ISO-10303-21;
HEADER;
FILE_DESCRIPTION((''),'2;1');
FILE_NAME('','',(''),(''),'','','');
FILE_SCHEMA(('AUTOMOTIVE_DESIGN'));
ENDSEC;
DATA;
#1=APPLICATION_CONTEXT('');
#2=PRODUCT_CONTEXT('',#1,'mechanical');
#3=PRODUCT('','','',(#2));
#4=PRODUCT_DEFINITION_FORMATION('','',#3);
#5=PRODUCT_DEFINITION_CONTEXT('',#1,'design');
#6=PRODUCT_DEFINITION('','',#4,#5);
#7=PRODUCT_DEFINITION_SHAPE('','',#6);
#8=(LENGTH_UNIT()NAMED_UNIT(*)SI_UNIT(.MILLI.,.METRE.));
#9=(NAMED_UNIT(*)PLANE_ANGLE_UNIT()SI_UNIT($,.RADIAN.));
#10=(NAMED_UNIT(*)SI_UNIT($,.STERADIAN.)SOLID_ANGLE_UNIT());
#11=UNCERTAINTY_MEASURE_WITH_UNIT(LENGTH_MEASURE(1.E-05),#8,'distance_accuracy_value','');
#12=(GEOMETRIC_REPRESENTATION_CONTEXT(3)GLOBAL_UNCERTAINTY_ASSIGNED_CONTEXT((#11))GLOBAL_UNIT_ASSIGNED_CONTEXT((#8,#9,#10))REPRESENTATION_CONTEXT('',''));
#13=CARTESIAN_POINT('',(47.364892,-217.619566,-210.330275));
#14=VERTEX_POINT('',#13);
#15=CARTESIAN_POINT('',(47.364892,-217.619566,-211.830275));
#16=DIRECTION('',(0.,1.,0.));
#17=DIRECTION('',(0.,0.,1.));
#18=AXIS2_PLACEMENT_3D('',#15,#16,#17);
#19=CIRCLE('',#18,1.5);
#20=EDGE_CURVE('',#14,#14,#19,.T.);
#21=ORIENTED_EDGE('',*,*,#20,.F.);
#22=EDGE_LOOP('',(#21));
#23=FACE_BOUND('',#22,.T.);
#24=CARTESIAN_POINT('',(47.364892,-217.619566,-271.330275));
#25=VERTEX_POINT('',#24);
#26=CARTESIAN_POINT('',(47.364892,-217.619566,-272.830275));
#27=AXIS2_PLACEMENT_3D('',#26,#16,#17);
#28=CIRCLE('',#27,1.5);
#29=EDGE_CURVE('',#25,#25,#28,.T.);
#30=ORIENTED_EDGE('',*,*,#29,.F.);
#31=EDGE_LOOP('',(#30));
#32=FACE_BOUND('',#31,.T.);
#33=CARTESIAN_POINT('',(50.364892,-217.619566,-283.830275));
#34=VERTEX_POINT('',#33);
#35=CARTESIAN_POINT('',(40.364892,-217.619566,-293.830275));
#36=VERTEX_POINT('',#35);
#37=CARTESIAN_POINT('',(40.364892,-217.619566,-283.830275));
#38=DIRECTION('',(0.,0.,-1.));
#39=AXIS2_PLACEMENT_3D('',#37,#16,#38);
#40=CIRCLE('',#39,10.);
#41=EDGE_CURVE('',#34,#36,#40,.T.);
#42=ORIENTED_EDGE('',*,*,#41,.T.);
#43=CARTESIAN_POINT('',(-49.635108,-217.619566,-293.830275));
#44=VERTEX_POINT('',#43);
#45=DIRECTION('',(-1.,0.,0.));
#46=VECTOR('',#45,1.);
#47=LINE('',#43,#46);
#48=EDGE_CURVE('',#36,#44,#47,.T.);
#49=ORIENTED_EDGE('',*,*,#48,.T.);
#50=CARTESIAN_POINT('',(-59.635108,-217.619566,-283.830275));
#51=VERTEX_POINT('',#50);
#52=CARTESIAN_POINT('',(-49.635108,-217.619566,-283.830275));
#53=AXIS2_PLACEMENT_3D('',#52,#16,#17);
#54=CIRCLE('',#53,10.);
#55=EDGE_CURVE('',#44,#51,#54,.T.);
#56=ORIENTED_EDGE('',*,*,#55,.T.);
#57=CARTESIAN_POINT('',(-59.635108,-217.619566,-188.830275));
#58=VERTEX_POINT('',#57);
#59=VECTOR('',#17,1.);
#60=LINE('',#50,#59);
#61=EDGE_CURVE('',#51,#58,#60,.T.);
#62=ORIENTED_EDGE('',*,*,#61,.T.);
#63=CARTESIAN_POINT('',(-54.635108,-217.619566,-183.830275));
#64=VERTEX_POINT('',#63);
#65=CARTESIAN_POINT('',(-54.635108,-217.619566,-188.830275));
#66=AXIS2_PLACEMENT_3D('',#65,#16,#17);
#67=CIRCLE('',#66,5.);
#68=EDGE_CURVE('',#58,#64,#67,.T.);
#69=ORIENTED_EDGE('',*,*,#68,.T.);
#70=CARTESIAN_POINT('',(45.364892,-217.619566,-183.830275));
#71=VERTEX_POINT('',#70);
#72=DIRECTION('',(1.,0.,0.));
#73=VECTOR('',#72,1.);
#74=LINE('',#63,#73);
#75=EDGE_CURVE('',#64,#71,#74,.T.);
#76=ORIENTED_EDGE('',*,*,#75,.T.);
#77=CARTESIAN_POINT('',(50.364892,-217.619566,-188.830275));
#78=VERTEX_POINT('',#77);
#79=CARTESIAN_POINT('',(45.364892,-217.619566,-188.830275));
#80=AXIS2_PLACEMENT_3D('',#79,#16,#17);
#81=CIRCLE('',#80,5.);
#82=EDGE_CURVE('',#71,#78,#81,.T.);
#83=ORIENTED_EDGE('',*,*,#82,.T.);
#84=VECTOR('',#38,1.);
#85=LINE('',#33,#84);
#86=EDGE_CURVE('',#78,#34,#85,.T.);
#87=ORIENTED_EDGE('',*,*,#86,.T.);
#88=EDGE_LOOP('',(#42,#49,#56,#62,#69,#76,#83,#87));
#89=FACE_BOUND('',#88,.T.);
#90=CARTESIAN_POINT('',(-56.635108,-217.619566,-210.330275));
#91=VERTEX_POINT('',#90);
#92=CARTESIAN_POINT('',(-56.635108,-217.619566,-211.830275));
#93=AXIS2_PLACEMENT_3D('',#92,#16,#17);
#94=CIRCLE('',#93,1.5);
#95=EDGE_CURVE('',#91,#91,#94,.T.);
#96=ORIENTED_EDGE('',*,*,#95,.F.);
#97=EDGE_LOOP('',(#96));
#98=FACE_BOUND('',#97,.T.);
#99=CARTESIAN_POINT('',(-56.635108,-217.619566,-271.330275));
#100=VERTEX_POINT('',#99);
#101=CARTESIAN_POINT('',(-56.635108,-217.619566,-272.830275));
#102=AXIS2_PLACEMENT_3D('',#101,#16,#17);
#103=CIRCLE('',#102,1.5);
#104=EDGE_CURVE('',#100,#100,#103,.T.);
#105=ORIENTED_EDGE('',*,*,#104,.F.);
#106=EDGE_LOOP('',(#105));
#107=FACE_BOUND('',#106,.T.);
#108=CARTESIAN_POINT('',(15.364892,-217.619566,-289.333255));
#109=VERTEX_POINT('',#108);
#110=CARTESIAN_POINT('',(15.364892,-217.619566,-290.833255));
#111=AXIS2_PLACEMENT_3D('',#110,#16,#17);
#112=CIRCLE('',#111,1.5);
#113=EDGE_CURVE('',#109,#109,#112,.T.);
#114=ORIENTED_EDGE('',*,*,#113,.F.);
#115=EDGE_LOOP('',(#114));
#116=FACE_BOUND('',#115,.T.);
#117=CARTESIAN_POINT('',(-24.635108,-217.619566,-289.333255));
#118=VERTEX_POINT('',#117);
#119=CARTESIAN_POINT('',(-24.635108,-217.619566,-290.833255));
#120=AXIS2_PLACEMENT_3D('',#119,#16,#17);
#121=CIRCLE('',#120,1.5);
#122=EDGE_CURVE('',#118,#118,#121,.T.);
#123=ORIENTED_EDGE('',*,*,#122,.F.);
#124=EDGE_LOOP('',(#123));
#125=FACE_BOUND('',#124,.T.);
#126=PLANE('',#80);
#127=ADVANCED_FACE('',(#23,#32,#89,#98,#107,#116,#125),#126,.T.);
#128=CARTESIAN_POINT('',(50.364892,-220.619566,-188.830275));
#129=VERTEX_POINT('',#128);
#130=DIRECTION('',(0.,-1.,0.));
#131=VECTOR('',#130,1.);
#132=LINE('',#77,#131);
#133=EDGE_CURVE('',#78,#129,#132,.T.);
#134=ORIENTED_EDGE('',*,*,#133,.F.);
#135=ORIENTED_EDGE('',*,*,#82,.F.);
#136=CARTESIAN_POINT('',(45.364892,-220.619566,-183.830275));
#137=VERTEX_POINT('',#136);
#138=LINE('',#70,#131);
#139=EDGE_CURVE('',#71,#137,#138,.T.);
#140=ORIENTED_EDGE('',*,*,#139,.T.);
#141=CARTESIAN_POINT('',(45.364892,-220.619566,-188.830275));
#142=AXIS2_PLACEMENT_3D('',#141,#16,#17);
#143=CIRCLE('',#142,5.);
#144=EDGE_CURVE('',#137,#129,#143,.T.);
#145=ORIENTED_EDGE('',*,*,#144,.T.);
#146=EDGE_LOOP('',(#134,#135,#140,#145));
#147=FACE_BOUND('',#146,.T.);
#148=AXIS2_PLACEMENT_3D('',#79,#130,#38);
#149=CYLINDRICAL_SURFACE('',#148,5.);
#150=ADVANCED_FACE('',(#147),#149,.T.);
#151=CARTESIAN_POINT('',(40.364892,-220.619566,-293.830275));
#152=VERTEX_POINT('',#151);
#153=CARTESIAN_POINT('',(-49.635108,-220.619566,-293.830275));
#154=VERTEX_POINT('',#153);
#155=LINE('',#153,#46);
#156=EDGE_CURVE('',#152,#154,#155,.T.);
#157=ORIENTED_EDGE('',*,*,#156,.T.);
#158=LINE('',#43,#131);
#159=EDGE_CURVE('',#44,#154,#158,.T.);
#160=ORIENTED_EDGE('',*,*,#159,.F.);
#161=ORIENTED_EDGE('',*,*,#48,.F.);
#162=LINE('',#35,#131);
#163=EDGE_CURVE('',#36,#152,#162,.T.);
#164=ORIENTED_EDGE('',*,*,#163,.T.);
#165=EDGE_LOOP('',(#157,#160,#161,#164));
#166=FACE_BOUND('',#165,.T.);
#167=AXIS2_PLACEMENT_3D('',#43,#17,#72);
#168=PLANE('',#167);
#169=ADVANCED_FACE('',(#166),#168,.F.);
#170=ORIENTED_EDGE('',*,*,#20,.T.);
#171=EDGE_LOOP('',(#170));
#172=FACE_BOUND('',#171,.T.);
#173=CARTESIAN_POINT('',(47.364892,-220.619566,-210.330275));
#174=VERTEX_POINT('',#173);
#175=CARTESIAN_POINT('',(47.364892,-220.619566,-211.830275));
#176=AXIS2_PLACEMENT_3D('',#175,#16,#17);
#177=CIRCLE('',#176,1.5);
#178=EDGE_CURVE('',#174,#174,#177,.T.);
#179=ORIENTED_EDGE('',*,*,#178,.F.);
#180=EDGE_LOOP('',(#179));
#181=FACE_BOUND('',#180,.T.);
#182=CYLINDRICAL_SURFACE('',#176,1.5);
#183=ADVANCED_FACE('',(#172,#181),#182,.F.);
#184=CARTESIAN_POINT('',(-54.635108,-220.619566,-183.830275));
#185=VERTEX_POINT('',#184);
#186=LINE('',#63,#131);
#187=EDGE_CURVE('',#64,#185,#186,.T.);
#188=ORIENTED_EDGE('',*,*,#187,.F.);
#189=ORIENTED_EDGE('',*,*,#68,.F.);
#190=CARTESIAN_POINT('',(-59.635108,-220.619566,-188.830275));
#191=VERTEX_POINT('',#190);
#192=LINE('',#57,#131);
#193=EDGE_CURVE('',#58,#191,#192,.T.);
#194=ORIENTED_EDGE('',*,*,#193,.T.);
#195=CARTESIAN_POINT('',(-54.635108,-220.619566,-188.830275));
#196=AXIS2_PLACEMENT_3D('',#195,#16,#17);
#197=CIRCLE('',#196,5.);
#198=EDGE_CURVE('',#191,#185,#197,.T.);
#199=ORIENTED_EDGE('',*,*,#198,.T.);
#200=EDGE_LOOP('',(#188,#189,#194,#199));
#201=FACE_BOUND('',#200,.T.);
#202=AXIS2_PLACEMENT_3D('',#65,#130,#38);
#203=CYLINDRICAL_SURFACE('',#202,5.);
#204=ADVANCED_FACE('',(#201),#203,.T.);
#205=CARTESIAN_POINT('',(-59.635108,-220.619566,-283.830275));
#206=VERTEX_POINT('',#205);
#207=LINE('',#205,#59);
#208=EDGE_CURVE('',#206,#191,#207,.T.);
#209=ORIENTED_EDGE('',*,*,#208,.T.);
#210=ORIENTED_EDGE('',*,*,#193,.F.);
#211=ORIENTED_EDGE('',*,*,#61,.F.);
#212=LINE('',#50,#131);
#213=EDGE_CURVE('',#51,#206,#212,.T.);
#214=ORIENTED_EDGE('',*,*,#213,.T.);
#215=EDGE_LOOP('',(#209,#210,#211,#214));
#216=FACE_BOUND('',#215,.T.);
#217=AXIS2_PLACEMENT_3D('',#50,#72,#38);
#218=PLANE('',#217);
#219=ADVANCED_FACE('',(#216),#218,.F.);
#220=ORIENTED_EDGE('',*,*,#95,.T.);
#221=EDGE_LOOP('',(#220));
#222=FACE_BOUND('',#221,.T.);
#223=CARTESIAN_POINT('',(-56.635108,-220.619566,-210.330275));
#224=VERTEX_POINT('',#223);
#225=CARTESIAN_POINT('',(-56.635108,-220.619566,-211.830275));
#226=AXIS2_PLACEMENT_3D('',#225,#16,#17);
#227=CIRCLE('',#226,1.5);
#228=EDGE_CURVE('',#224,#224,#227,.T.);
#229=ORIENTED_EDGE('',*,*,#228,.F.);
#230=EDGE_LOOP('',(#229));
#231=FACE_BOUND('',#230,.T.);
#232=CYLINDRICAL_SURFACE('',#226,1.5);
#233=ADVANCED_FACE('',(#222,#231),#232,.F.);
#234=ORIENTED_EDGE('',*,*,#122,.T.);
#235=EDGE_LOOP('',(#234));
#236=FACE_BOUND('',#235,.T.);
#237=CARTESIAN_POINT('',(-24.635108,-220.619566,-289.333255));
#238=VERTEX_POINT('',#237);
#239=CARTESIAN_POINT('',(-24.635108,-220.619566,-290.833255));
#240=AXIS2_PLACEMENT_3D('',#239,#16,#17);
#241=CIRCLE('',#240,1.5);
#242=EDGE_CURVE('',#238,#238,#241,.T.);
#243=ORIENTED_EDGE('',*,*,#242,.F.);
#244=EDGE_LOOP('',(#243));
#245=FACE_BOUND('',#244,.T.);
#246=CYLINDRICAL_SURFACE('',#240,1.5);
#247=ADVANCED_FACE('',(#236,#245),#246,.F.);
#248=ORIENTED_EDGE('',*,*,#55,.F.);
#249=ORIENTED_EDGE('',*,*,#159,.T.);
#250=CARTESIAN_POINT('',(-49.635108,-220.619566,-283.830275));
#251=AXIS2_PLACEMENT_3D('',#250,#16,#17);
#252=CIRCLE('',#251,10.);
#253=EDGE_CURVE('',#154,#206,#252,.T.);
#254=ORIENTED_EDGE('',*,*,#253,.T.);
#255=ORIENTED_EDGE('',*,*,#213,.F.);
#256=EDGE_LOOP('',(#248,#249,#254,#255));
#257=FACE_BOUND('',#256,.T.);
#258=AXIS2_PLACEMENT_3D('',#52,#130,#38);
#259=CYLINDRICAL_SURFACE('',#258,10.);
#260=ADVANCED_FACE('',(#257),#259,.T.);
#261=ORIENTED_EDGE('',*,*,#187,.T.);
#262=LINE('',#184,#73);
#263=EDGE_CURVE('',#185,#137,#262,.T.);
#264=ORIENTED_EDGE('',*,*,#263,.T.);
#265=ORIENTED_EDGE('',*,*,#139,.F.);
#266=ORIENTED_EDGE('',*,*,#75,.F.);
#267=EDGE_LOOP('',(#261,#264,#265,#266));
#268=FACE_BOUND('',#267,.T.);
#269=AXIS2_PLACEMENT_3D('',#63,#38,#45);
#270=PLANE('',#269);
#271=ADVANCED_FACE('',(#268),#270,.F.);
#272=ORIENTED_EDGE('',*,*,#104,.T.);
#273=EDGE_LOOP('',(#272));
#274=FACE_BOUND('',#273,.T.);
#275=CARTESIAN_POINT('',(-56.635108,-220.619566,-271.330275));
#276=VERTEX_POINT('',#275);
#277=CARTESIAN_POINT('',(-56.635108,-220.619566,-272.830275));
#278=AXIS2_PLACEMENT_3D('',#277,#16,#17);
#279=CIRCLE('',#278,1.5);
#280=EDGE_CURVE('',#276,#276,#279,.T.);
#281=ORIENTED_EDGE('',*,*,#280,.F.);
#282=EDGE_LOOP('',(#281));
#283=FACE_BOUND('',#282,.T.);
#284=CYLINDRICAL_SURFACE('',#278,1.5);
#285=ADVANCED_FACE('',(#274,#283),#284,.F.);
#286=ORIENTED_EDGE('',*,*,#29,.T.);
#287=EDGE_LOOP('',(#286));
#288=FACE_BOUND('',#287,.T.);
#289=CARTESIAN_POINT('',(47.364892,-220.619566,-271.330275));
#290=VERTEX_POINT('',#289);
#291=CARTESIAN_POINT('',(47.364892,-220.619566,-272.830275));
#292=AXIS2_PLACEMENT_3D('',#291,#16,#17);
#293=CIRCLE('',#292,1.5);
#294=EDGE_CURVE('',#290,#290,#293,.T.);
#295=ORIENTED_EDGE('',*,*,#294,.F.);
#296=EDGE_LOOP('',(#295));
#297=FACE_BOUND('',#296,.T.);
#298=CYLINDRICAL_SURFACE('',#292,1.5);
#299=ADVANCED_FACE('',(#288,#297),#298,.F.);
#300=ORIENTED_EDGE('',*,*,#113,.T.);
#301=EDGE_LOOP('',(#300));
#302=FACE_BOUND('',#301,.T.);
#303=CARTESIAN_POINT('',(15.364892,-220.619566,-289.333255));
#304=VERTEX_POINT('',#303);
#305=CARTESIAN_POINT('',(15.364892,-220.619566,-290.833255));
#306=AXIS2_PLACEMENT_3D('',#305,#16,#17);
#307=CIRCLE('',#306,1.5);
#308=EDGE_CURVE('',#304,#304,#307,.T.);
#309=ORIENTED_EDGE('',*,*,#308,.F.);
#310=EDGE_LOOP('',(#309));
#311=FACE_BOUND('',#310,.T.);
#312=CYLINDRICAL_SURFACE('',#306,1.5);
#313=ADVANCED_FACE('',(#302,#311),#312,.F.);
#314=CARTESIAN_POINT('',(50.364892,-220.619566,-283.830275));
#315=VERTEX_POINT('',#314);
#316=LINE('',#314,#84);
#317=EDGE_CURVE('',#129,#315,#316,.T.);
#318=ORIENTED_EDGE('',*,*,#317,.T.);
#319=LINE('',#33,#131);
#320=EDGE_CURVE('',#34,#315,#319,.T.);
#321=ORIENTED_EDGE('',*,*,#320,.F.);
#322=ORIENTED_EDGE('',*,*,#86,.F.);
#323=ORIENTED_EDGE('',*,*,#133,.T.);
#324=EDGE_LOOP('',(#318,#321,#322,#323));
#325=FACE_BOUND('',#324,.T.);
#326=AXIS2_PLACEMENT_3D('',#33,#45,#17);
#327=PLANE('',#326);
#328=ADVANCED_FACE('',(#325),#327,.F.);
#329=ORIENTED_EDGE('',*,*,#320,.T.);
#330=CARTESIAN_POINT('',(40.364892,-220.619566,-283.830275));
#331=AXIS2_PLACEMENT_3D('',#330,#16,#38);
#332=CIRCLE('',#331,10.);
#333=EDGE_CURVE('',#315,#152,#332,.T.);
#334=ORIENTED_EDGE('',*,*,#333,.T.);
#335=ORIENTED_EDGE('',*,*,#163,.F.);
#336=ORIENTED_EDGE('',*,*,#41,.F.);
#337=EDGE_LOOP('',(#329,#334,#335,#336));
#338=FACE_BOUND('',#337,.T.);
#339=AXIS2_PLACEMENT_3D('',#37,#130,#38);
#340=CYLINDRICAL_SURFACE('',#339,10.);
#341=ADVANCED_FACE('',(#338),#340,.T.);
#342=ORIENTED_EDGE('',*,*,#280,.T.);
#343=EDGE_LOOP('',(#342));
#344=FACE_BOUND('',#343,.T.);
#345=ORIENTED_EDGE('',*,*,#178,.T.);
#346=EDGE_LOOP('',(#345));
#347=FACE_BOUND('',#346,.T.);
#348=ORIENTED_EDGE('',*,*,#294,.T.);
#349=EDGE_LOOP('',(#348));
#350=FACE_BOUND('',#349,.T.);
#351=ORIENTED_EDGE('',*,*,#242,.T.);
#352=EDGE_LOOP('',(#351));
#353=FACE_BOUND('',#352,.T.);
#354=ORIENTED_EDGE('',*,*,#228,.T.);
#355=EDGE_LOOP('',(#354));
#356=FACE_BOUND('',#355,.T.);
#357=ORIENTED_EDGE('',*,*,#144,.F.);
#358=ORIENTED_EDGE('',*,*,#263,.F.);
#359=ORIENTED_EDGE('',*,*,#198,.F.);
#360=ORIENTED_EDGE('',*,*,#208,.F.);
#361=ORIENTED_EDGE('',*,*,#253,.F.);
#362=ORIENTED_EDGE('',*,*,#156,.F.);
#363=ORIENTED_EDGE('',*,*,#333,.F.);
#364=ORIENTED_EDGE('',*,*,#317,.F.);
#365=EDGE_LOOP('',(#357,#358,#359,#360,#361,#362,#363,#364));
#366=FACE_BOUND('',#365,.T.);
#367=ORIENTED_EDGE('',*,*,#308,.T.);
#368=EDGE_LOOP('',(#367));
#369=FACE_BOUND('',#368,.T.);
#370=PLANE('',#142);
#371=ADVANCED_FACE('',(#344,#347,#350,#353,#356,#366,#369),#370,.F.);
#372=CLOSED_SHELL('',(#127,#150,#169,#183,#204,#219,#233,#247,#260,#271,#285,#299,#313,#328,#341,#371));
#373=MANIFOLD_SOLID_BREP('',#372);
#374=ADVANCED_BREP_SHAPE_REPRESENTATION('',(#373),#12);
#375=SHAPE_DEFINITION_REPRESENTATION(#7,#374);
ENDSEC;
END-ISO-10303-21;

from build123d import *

# Parameters (mm, degrees)
BOSS_EXTRUDE1_DEPTH = 3
SKETCH2_R           = 1.5
CUT_EXTRUDE1_DEPTH  = 3


with BuildPart() as part:
    # Sketch1 → Boss-Extrude1 (new body)
    with BuildSketch(Plane(origin=(0, -220.619565514, 0), x_dir=(1, 0, 0), z_dir=(0, 1, 0))):
        with BuildLine():
            Line((-49.635107582, 293.830274817), (40.364892418, 293.830274817))
            ThreePointArc((40.364892418, 293.830274817), (47.435960229, 290.901342629), (50.364892418, 283.830274817))
            Line((50.364892418, 283.830274817), (50.364892418, 188.830274817))
            ThreePointArc((50.364892418, 188.830274817), (48.900426323, 185.294740911), (45.364892418, 183.830274817))
            Line((45.364892418, 183.830274817), (-54.635107582, 183.830274817))
            ThreePointArc((-54.635107582, 183.830274817), (-58.170641488, 185.294740911), (-59.635107582, 188.830274817))
            Line((-59.635107582, 188.830274817), (-59.635107582, 283.830274817))
            ThreePointArc((-59.635107582, 283.830274817), (-56.706175394, 290.901342629), (-49.635107582, 293.830274817))
        make_face()
    extrude(amount=BOSS_EXTRUDE1_DEPTH)

    # Sketch2 → Cut-Extrude1 (cut)
    with BuildSketch(Plane(origin=(0, -217.619565514, 0), x_dir=(1, 0, 0), z_dir=(0, 1, 0))):
        with Locations((-24.635107582, 290.833255232)):
            Circle(SKETCH2_R)
        with Locations((15.364892418, 290.833255232)):
            Circle(SKETCH2_R)
        with Locations((47.364892418, 272.830274817)):
            Circle(SKETCH2_R)
        with Locations((47.364892418, 211.830274817)):
            Circle(SKETCH2_R)
        with Locations((-56.635107582, 211.830274817)):
            Circle(SKETCH2_R)
        with Locations((-56.635107582, 272.830274817)):
            Circle(SKETCH2_R)
    extrude(amount=-CUT_EXTRUDE1_DEPTH, mode=Mode.SUBTRACT)


solid = part.part
